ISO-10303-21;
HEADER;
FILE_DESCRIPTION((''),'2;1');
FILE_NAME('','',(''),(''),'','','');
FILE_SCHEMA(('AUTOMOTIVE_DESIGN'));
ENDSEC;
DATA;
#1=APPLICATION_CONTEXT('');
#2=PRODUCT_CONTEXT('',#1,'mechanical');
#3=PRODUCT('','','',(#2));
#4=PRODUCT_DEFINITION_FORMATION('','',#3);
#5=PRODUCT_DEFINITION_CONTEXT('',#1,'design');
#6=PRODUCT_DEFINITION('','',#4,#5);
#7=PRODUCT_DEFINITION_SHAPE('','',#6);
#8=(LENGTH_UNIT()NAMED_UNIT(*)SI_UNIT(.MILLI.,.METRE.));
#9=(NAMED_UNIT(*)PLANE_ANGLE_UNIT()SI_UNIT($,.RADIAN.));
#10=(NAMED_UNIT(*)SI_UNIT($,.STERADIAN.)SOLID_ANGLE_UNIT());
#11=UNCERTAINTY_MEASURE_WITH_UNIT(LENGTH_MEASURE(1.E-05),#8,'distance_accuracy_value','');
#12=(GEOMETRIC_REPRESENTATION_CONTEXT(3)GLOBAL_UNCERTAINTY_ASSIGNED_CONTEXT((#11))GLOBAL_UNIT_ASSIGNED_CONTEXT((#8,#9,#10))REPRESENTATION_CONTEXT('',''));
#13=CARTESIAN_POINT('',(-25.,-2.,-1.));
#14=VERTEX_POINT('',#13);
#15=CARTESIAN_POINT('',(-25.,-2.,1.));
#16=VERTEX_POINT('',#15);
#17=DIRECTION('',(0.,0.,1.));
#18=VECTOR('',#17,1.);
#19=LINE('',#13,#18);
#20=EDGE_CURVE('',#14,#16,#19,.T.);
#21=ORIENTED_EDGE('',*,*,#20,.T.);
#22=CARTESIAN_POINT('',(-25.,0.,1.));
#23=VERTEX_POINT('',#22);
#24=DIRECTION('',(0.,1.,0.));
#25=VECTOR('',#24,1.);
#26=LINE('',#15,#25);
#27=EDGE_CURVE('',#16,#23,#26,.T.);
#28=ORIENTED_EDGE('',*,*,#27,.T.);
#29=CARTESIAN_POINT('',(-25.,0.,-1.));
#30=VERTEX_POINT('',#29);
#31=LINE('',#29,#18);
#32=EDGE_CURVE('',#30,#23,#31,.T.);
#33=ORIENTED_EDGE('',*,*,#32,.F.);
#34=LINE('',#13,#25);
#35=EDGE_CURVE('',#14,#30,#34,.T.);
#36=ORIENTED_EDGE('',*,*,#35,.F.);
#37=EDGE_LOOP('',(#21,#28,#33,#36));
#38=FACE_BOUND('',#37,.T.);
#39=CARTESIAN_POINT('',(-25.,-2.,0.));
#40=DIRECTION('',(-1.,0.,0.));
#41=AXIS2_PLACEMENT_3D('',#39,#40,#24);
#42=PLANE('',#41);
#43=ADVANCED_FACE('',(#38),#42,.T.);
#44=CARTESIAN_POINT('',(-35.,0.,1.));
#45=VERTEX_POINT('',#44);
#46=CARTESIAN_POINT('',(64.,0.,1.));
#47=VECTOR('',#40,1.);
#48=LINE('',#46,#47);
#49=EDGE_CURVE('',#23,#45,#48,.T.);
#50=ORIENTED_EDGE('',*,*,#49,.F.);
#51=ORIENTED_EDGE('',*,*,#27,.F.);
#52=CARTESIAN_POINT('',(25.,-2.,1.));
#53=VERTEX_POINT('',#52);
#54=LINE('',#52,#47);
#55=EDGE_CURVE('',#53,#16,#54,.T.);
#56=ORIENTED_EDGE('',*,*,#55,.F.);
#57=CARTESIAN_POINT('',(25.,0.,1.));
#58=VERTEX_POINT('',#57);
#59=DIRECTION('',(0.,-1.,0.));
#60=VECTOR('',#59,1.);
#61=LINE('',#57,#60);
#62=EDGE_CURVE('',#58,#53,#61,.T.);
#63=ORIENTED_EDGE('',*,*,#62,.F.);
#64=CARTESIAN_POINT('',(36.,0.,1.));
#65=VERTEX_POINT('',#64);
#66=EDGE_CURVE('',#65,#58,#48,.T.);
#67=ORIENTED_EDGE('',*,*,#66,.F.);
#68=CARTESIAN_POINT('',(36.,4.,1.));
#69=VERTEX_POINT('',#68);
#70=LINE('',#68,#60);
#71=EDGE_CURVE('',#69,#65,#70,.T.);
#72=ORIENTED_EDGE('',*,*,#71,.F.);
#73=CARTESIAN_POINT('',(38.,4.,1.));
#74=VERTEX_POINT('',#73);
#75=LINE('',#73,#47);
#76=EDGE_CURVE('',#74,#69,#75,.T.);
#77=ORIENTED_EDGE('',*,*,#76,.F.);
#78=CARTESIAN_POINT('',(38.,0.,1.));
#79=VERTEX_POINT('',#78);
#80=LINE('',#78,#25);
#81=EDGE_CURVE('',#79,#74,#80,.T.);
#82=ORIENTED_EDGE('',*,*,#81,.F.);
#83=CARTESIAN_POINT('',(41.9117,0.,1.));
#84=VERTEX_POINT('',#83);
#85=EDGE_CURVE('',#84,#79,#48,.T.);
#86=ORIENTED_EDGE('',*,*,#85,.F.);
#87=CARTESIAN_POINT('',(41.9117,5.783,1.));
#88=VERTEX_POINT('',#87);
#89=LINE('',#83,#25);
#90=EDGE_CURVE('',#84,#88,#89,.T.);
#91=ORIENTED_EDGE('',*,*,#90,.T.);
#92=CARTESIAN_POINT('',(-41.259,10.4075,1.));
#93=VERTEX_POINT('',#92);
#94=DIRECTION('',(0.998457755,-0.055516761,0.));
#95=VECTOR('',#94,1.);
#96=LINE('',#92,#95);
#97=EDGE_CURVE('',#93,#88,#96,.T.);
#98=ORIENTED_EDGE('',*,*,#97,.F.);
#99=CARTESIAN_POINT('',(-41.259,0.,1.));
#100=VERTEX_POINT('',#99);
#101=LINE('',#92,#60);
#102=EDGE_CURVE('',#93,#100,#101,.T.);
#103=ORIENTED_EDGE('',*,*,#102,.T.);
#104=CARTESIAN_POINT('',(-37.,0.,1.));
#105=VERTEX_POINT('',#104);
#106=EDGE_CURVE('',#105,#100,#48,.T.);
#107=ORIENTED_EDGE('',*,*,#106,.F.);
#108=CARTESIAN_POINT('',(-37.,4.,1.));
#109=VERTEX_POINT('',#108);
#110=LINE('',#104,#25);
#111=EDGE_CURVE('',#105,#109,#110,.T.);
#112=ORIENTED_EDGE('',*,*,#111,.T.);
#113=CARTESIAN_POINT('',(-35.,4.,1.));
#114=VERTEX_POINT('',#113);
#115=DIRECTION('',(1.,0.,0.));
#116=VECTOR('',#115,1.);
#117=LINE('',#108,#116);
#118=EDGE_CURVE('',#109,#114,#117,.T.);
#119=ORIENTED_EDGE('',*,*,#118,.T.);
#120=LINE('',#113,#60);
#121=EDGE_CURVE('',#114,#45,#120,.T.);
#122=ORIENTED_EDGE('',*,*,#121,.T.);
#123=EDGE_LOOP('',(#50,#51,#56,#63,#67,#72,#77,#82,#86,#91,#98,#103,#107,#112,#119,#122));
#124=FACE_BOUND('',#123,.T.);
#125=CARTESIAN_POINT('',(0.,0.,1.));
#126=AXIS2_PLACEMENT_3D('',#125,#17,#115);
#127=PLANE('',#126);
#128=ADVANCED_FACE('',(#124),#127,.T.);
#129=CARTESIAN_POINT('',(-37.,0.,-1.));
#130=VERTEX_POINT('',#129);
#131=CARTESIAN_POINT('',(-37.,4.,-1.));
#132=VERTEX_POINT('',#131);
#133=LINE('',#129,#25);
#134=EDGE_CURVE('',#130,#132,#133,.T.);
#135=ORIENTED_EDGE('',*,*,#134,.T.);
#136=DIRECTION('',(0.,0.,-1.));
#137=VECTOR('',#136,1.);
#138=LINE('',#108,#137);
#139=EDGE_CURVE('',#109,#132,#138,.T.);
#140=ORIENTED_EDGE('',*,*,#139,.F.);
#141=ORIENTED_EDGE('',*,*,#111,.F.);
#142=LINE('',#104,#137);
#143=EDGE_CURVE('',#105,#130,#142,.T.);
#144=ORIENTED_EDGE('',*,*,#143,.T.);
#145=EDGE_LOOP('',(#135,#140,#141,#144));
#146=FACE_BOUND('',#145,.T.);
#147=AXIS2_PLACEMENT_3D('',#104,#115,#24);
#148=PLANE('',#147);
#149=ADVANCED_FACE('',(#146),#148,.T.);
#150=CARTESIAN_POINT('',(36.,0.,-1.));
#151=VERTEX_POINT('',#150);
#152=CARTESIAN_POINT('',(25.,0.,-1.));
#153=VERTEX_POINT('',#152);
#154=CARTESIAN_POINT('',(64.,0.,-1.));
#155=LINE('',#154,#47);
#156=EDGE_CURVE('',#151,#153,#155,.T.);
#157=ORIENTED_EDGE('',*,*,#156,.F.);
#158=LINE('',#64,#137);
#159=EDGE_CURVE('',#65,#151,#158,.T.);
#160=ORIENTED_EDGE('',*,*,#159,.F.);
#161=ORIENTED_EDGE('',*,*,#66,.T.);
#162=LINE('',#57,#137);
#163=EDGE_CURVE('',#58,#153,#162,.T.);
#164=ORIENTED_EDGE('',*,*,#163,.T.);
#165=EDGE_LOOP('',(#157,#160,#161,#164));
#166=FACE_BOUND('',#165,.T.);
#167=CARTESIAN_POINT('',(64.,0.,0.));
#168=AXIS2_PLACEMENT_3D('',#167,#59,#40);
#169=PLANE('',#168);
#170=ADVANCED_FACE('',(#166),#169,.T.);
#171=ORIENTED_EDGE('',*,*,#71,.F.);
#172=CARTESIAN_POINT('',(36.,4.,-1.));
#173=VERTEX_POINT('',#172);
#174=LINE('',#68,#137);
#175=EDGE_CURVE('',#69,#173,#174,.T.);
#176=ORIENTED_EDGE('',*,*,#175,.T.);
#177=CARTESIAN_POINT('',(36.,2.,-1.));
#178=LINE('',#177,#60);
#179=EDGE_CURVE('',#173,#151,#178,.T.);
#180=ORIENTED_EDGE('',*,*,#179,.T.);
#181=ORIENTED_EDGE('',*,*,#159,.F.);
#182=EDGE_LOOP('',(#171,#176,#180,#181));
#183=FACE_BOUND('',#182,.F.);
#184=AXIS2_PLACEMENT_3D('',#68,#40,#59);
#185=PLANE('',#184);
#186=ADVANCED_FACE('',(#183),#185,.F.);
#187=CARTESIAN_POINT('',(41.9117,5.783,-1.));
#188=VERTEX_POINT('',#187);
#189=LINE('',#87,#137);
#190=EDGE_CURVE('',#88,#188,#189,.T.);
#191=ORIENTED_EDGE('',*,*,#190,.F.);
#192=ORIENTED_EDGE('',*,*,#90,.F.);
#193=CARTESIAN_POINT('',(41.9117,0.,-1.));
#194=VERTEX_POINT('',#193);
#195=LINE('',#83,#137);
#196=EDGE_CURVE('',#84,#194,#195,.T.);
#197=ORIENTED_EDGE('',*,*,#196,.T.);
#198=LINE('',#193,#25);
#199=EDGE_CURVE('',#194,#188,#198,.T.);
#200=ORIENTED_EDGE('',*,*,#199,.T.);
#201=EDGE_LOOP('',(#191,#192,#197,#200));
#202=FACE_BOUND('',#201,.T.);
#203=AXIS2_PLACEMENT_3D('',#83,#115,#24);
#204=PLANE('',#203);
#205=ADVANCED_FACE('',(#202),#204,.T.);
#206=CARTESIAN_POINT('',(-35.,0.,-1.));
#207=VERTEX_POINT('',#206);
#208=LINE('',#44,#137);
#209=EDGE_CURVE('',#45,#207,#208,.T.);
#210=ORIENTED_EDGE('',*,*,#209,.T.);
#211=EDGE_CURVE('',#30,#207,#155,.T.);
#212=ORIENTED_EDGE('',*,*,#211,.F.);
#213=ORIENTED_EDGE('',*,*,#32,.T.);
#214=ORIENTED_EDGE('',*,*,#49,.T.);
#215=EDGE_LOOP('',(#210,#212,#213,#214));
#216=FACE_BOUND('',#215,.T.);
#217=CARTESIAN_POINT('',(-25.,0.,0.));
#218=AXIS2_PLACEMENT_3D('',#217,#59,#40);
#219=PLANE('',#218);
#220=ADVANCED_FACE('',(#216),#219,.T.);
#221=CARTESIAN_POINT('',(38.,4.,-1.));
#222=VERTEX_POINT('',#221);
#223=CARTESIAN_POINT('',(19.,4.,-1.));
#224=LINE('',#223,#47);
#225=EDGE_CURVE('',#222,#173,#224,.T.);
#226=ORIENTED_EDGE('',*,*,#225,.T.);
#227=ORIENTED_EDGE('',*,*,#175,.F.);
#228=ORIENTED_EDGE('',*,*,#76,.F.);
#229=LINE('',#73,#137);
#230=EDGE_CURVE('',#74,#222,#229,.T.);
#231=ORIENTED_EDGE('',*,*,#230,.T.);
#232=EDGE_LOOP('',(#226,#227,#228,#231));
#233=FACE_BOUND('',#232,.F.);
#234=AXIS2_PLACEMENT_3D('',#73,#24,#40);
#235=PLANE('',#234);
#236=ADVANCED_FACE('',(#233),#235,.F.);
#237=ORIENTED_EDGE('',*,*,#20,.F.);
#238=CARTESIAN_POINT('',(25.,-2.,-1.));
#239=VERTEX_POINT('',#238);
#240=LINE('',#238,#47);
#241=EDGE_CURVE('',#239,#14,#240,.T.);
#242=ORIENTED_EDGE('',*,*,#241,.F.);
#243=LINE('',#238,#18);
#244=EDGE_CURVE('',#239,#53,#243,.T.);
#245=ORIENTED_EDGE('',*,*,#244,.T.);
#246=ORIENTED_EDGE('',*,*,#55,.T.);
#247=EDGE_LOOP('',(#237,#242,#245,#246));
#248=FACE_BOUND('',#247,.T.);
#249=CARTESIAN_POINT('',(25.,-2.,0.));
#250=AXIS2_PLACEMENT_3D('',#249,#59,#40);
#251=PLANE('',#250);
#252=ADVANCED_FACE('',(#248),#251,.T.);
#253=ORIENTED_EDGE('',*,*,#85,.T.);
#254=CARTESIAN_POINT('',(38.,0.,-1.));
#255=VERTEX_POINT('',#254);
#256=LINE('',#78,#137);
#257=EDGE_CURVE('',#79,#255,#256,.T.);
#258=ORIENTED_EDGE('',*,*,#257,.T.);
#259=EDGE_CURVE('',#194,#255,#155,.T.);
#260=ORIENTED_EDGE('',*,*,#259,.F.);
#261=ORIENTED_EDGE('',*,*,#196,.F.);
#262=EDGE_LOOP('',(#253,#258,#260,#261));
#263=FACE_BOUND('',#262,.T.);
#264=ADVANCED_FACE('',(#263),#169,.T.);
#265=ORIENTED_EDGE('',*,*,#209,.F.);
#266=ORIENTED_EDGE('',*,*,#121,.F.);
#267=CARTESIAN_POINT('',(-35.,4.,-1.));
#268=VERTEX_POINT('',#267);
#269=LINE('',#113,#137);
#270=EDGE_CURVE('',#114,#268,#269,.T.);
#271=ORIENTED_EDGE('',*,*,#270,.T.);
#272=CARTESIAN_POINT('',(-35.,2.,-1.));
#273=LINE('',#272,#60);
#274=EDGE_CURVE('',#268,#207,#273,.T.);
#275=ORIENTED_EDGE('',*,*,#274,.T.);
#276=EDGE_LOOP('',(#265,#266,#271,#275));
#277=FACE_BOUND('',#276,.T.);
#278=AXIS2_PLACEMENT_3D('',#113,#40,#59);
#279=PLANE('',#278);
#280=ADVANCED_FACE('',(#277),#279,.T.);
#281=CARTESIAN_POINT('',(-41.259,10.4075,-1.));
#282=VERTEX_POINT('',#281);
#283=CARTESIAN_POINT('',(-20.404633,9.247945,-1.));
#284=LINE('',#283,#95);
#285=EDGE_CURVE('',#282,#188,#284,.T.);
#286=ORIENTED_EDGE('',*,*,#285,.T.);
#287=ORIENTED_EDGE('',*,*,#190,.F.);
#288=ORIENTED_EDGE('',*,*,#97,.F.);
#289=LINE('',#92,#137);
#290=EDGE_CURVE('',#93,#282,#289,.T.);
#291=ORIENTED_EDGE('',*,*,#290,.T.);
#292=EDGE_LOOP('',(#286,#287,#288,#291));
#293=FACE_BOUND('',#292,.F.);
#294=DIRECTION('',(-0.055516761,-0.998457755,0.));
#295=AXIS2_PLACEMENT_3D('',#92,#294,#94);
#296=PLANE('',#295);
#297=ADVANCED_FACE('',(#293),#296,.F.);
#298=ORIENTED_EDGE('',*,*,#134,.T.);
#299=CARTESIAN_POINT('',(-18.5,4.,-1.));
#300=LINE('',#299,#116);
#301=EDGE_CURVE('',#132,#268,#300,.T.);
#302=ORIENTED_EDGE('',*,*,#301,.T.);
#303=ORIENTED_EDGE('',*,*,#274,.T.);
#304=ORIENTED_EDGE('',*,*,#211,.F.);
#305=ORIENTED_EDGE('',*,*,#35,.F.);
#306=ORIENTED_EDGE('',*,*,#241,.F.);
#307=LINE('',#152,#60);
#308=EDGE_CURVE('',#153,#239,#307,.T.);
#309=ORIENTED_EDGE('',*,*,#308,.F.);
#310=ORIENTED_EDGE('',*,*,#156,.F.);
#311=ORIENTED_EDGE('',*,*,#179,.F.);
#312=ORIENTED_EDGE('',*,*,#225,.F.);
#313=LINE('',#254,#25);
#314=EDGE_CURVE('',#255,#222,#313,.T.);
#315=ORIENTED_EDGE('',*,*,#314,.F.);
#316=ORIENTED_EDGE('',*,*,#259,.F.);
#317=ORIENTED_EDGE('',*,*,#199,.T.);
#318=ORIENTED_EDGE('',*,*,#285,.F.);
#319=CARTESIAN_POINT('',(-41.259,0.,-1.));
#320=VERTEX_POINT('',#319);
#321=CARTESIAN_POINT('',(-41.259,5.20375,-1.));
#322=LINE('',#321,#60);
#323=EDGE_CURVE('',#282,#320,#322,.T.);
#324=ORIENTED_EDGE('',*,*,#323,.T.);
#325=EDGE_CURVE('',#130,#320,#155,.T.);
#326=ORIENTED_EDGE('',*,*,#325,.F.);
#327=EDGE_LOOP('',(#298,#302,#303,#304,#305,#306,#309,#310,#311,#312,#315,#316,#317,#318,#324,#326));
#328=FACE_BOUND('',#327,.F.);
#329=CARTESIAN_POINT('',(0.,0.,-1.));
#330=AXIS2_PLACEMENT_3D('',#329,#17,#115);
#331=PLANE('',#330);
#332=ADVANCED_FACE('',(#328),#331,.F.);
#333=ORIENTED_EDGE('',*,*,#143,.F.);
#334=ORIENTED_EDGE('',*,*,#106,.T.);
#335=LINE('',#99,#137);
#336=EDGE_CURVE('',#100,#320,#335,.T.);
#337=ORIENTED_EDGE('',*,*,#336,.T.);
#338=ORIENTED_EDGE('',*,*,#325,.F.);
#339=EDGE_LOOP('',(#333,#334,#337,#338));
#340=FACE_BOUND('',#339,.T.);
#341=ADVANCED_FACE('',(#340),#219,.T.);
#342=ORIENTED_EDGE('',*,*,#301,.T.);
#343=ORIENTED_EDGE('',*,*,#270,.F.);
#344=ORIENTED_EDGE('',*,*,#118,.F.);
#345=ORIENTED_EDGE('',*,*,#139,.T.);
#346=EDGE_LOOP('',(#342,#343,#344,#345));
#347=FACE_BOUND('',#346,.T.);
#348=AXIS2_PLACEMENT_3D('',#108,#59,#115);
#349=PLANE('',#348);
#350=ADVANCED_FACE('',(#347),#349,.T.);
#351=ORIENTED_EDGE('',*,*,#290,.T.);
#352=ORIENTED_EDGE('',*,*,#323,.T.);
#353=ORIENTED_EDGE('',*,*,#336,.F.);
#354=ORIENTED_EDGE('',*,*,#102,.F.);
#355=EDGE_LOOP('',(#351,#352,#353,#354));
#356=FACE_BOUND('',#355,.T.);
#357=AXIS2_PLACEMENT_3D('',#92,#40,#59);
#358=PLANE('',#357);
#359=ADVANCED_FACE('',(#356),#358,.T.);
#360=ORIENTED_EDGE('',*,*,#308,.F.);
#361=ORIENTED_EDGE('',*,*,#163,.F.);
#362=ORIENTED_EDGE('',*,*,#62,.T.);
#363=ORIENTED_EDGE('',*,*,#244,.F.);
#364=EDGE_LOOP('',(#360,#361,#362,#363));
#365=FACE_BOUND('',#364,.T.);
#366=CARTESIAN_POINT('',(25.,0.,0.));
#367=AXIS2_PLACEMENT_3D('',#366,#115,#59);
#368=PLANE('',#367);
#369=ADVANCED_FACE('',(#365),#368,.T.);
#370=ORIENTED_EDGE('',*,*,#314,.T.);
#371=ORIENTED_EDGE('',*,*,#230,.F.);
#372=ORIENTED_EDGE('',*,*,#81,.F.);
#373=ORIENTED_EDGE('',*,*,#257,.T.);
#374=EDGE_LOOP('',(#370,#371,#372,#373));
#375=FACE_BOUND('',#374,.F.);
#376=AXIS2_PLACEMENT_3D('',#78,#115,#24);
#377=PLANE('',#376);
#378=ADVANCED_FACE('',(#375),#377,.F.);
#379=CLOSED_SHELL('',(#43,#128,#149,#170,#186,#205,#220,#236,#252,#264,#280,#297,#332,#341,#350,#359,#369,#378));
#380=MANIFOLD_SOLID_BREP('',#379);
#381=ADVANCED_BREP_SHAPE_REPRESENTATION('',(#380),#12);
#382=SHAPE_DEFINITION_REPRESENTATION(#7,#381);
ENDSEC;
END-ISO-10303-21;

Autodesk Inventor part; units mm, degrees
ref_plane "YZ Plane" through (0, 0, 0) normal (1, 0, 0) x (0, 1, 0)
ref_plane "XZ Plane" through (0, 0, 0) normal (0, 1, 0) x (-1, 0, 0)
ref_plane "XY Plane" through (0, 0, 0) normal (0, 0, 1) x (1, 0, 0)
sketch "Sketch1" plane through (0, 0, 0) normal (0, 0, 1) x (1, 0, 0)
  line L0 (-64, 50) -> (64, 50)
  line L1 (64, 50) -> (64, 0)
  line L2 (64, 0) -> (-64, 0)
  line L3 (-64, 0) -> (-64, 50)
  line L4 (-25, 0) -> (25, 0)
  line L5 (25, 0) -> (25, -2)
  line L6 (25, -2) -> (-25, -2)
  line L7 (-25, -2) -> (-25, 0)
  point P0 (0, 0)
  point P1 (0, 0)
  dimension "d0" = 50
  dimension "d1" = 128
  dimension "d2" = 2
  dimension "d3" = 50
extrude "Extrusion1" add sketch "Sketch1" along normal mid plane 2
sketch "Sketch2" plane through (0, 0, 1) normal (0, 0, 1) x (1, 0, 0)
  line L0 (-37.004, 19.1647) -> (37.8795, 15.001) projected
  line L1 (37.8795, 15.001) -> (37.8795, 6.0072) projected
  line L2 (37.8795, 6.0072) -> (-37.004, 10.1709) projected
  line L3 (-37.004, 10.1709) -> (-37.004, 19.1647) projected
  line L4 (41.9117, 3.4023) -> (41.9117, 13.1647) projected
  line L5 (-41.259, 17.7892) -> (-41.259, 8.0268) projected
  point P0 (0, 0)
sketch "Sketch3" plane through (0, 0, 1) normal (0, 0, 1) x (1, 0, 0)
  line L0 (-41.259, 17.7892) -> (-41.259, 8.0268) construction
  line L1 (37.8795, 6.0072) -> (-37.004, 10.1709) construction
  line L2 (41.9117, 3.4023) -> (41.9117, 13.1647) construction
  line L3 (-41.259, 10.4075) -> (41.9117, 5.783)
  line L4 (-41.259, 10.4075) -> (-41.259, 0)
  line L5 (-41.259, 0) -> (-91.259, 0)
  line L6 (-91.259, 0) -> (-91.259, 60)
  line L7 (-91.259, 60) -> (91.9117, 60)
  line L8 (91.9117, 60) -> (91.9117, 0)
  line L9 (91.9117, 0) -> (41.9117, 0)
  line L10 (41.9117, 0) -> (41.9117, 5.783)
  point P0 (0, 0)
  dimension "d6" = 50
  dimension "d7" = 50
  dimension "d8" = 60
extrude "Extrusion2" cut sketch "Sketch3" against normal through all
sketch "Sketch4" plane through (0, 0, 1) normal (0, 0, 1) x (1, 0, 0)
  line L0 (-37, 0) -> (-37, 9.5832) projected
  line L1 (-35, 0) -> (-37, 0) projected
  line L2 (-35, 9.5832) -> (-35, 0) projected
  line L3 (-35, 9.5832) -> (-37, 9.5832) projected
  line L4 (36, 0) -> (36, 5.3914) projected
  line L5 (38, 0) -> (36, 0) projected
  line L6 (38, 5.3914) -> (38, 0) projected
  line L7 (38, 5.3914) -> (36, 5.3914) projected
  point P0 (0, 0)
sketch "Sketch5" plane through (0, 0, 1) normal (0, 0, 1) x (1, 0, 0)
  line L0 (-37, 0) -> (-37, 9.5832) construction
  line L1 (-35, 9.5832) -> (-35, 0) construction
  line L2 (36, 0) -> (36, 5.3914) construction
  line L3 (38, 5.3914) -> (38, 0) construction
  line L4 (-37, 4) -> (-35, 4)
  line L5 (-35, 4) -> (-35, 0)
  line L6 (-35, 0) -> (-37, 0)
  line L7 (-37, 0) -> (-37, 4)
  line L8 (38, 4) -> (36, 4)
  line L9 (36, 4) -> (36, 0)
  line L10 (36, 0) -> (38, 0)
  line L11 (38, 0) -> (38, 4)
  point P0 (0, 0)
  dimension "d11" = 4
  dimension "d12" = 4
extrude "Extrusion3" cut sketch "Sketch5" against normal through all
properties part number "angle_plate_short_short"
